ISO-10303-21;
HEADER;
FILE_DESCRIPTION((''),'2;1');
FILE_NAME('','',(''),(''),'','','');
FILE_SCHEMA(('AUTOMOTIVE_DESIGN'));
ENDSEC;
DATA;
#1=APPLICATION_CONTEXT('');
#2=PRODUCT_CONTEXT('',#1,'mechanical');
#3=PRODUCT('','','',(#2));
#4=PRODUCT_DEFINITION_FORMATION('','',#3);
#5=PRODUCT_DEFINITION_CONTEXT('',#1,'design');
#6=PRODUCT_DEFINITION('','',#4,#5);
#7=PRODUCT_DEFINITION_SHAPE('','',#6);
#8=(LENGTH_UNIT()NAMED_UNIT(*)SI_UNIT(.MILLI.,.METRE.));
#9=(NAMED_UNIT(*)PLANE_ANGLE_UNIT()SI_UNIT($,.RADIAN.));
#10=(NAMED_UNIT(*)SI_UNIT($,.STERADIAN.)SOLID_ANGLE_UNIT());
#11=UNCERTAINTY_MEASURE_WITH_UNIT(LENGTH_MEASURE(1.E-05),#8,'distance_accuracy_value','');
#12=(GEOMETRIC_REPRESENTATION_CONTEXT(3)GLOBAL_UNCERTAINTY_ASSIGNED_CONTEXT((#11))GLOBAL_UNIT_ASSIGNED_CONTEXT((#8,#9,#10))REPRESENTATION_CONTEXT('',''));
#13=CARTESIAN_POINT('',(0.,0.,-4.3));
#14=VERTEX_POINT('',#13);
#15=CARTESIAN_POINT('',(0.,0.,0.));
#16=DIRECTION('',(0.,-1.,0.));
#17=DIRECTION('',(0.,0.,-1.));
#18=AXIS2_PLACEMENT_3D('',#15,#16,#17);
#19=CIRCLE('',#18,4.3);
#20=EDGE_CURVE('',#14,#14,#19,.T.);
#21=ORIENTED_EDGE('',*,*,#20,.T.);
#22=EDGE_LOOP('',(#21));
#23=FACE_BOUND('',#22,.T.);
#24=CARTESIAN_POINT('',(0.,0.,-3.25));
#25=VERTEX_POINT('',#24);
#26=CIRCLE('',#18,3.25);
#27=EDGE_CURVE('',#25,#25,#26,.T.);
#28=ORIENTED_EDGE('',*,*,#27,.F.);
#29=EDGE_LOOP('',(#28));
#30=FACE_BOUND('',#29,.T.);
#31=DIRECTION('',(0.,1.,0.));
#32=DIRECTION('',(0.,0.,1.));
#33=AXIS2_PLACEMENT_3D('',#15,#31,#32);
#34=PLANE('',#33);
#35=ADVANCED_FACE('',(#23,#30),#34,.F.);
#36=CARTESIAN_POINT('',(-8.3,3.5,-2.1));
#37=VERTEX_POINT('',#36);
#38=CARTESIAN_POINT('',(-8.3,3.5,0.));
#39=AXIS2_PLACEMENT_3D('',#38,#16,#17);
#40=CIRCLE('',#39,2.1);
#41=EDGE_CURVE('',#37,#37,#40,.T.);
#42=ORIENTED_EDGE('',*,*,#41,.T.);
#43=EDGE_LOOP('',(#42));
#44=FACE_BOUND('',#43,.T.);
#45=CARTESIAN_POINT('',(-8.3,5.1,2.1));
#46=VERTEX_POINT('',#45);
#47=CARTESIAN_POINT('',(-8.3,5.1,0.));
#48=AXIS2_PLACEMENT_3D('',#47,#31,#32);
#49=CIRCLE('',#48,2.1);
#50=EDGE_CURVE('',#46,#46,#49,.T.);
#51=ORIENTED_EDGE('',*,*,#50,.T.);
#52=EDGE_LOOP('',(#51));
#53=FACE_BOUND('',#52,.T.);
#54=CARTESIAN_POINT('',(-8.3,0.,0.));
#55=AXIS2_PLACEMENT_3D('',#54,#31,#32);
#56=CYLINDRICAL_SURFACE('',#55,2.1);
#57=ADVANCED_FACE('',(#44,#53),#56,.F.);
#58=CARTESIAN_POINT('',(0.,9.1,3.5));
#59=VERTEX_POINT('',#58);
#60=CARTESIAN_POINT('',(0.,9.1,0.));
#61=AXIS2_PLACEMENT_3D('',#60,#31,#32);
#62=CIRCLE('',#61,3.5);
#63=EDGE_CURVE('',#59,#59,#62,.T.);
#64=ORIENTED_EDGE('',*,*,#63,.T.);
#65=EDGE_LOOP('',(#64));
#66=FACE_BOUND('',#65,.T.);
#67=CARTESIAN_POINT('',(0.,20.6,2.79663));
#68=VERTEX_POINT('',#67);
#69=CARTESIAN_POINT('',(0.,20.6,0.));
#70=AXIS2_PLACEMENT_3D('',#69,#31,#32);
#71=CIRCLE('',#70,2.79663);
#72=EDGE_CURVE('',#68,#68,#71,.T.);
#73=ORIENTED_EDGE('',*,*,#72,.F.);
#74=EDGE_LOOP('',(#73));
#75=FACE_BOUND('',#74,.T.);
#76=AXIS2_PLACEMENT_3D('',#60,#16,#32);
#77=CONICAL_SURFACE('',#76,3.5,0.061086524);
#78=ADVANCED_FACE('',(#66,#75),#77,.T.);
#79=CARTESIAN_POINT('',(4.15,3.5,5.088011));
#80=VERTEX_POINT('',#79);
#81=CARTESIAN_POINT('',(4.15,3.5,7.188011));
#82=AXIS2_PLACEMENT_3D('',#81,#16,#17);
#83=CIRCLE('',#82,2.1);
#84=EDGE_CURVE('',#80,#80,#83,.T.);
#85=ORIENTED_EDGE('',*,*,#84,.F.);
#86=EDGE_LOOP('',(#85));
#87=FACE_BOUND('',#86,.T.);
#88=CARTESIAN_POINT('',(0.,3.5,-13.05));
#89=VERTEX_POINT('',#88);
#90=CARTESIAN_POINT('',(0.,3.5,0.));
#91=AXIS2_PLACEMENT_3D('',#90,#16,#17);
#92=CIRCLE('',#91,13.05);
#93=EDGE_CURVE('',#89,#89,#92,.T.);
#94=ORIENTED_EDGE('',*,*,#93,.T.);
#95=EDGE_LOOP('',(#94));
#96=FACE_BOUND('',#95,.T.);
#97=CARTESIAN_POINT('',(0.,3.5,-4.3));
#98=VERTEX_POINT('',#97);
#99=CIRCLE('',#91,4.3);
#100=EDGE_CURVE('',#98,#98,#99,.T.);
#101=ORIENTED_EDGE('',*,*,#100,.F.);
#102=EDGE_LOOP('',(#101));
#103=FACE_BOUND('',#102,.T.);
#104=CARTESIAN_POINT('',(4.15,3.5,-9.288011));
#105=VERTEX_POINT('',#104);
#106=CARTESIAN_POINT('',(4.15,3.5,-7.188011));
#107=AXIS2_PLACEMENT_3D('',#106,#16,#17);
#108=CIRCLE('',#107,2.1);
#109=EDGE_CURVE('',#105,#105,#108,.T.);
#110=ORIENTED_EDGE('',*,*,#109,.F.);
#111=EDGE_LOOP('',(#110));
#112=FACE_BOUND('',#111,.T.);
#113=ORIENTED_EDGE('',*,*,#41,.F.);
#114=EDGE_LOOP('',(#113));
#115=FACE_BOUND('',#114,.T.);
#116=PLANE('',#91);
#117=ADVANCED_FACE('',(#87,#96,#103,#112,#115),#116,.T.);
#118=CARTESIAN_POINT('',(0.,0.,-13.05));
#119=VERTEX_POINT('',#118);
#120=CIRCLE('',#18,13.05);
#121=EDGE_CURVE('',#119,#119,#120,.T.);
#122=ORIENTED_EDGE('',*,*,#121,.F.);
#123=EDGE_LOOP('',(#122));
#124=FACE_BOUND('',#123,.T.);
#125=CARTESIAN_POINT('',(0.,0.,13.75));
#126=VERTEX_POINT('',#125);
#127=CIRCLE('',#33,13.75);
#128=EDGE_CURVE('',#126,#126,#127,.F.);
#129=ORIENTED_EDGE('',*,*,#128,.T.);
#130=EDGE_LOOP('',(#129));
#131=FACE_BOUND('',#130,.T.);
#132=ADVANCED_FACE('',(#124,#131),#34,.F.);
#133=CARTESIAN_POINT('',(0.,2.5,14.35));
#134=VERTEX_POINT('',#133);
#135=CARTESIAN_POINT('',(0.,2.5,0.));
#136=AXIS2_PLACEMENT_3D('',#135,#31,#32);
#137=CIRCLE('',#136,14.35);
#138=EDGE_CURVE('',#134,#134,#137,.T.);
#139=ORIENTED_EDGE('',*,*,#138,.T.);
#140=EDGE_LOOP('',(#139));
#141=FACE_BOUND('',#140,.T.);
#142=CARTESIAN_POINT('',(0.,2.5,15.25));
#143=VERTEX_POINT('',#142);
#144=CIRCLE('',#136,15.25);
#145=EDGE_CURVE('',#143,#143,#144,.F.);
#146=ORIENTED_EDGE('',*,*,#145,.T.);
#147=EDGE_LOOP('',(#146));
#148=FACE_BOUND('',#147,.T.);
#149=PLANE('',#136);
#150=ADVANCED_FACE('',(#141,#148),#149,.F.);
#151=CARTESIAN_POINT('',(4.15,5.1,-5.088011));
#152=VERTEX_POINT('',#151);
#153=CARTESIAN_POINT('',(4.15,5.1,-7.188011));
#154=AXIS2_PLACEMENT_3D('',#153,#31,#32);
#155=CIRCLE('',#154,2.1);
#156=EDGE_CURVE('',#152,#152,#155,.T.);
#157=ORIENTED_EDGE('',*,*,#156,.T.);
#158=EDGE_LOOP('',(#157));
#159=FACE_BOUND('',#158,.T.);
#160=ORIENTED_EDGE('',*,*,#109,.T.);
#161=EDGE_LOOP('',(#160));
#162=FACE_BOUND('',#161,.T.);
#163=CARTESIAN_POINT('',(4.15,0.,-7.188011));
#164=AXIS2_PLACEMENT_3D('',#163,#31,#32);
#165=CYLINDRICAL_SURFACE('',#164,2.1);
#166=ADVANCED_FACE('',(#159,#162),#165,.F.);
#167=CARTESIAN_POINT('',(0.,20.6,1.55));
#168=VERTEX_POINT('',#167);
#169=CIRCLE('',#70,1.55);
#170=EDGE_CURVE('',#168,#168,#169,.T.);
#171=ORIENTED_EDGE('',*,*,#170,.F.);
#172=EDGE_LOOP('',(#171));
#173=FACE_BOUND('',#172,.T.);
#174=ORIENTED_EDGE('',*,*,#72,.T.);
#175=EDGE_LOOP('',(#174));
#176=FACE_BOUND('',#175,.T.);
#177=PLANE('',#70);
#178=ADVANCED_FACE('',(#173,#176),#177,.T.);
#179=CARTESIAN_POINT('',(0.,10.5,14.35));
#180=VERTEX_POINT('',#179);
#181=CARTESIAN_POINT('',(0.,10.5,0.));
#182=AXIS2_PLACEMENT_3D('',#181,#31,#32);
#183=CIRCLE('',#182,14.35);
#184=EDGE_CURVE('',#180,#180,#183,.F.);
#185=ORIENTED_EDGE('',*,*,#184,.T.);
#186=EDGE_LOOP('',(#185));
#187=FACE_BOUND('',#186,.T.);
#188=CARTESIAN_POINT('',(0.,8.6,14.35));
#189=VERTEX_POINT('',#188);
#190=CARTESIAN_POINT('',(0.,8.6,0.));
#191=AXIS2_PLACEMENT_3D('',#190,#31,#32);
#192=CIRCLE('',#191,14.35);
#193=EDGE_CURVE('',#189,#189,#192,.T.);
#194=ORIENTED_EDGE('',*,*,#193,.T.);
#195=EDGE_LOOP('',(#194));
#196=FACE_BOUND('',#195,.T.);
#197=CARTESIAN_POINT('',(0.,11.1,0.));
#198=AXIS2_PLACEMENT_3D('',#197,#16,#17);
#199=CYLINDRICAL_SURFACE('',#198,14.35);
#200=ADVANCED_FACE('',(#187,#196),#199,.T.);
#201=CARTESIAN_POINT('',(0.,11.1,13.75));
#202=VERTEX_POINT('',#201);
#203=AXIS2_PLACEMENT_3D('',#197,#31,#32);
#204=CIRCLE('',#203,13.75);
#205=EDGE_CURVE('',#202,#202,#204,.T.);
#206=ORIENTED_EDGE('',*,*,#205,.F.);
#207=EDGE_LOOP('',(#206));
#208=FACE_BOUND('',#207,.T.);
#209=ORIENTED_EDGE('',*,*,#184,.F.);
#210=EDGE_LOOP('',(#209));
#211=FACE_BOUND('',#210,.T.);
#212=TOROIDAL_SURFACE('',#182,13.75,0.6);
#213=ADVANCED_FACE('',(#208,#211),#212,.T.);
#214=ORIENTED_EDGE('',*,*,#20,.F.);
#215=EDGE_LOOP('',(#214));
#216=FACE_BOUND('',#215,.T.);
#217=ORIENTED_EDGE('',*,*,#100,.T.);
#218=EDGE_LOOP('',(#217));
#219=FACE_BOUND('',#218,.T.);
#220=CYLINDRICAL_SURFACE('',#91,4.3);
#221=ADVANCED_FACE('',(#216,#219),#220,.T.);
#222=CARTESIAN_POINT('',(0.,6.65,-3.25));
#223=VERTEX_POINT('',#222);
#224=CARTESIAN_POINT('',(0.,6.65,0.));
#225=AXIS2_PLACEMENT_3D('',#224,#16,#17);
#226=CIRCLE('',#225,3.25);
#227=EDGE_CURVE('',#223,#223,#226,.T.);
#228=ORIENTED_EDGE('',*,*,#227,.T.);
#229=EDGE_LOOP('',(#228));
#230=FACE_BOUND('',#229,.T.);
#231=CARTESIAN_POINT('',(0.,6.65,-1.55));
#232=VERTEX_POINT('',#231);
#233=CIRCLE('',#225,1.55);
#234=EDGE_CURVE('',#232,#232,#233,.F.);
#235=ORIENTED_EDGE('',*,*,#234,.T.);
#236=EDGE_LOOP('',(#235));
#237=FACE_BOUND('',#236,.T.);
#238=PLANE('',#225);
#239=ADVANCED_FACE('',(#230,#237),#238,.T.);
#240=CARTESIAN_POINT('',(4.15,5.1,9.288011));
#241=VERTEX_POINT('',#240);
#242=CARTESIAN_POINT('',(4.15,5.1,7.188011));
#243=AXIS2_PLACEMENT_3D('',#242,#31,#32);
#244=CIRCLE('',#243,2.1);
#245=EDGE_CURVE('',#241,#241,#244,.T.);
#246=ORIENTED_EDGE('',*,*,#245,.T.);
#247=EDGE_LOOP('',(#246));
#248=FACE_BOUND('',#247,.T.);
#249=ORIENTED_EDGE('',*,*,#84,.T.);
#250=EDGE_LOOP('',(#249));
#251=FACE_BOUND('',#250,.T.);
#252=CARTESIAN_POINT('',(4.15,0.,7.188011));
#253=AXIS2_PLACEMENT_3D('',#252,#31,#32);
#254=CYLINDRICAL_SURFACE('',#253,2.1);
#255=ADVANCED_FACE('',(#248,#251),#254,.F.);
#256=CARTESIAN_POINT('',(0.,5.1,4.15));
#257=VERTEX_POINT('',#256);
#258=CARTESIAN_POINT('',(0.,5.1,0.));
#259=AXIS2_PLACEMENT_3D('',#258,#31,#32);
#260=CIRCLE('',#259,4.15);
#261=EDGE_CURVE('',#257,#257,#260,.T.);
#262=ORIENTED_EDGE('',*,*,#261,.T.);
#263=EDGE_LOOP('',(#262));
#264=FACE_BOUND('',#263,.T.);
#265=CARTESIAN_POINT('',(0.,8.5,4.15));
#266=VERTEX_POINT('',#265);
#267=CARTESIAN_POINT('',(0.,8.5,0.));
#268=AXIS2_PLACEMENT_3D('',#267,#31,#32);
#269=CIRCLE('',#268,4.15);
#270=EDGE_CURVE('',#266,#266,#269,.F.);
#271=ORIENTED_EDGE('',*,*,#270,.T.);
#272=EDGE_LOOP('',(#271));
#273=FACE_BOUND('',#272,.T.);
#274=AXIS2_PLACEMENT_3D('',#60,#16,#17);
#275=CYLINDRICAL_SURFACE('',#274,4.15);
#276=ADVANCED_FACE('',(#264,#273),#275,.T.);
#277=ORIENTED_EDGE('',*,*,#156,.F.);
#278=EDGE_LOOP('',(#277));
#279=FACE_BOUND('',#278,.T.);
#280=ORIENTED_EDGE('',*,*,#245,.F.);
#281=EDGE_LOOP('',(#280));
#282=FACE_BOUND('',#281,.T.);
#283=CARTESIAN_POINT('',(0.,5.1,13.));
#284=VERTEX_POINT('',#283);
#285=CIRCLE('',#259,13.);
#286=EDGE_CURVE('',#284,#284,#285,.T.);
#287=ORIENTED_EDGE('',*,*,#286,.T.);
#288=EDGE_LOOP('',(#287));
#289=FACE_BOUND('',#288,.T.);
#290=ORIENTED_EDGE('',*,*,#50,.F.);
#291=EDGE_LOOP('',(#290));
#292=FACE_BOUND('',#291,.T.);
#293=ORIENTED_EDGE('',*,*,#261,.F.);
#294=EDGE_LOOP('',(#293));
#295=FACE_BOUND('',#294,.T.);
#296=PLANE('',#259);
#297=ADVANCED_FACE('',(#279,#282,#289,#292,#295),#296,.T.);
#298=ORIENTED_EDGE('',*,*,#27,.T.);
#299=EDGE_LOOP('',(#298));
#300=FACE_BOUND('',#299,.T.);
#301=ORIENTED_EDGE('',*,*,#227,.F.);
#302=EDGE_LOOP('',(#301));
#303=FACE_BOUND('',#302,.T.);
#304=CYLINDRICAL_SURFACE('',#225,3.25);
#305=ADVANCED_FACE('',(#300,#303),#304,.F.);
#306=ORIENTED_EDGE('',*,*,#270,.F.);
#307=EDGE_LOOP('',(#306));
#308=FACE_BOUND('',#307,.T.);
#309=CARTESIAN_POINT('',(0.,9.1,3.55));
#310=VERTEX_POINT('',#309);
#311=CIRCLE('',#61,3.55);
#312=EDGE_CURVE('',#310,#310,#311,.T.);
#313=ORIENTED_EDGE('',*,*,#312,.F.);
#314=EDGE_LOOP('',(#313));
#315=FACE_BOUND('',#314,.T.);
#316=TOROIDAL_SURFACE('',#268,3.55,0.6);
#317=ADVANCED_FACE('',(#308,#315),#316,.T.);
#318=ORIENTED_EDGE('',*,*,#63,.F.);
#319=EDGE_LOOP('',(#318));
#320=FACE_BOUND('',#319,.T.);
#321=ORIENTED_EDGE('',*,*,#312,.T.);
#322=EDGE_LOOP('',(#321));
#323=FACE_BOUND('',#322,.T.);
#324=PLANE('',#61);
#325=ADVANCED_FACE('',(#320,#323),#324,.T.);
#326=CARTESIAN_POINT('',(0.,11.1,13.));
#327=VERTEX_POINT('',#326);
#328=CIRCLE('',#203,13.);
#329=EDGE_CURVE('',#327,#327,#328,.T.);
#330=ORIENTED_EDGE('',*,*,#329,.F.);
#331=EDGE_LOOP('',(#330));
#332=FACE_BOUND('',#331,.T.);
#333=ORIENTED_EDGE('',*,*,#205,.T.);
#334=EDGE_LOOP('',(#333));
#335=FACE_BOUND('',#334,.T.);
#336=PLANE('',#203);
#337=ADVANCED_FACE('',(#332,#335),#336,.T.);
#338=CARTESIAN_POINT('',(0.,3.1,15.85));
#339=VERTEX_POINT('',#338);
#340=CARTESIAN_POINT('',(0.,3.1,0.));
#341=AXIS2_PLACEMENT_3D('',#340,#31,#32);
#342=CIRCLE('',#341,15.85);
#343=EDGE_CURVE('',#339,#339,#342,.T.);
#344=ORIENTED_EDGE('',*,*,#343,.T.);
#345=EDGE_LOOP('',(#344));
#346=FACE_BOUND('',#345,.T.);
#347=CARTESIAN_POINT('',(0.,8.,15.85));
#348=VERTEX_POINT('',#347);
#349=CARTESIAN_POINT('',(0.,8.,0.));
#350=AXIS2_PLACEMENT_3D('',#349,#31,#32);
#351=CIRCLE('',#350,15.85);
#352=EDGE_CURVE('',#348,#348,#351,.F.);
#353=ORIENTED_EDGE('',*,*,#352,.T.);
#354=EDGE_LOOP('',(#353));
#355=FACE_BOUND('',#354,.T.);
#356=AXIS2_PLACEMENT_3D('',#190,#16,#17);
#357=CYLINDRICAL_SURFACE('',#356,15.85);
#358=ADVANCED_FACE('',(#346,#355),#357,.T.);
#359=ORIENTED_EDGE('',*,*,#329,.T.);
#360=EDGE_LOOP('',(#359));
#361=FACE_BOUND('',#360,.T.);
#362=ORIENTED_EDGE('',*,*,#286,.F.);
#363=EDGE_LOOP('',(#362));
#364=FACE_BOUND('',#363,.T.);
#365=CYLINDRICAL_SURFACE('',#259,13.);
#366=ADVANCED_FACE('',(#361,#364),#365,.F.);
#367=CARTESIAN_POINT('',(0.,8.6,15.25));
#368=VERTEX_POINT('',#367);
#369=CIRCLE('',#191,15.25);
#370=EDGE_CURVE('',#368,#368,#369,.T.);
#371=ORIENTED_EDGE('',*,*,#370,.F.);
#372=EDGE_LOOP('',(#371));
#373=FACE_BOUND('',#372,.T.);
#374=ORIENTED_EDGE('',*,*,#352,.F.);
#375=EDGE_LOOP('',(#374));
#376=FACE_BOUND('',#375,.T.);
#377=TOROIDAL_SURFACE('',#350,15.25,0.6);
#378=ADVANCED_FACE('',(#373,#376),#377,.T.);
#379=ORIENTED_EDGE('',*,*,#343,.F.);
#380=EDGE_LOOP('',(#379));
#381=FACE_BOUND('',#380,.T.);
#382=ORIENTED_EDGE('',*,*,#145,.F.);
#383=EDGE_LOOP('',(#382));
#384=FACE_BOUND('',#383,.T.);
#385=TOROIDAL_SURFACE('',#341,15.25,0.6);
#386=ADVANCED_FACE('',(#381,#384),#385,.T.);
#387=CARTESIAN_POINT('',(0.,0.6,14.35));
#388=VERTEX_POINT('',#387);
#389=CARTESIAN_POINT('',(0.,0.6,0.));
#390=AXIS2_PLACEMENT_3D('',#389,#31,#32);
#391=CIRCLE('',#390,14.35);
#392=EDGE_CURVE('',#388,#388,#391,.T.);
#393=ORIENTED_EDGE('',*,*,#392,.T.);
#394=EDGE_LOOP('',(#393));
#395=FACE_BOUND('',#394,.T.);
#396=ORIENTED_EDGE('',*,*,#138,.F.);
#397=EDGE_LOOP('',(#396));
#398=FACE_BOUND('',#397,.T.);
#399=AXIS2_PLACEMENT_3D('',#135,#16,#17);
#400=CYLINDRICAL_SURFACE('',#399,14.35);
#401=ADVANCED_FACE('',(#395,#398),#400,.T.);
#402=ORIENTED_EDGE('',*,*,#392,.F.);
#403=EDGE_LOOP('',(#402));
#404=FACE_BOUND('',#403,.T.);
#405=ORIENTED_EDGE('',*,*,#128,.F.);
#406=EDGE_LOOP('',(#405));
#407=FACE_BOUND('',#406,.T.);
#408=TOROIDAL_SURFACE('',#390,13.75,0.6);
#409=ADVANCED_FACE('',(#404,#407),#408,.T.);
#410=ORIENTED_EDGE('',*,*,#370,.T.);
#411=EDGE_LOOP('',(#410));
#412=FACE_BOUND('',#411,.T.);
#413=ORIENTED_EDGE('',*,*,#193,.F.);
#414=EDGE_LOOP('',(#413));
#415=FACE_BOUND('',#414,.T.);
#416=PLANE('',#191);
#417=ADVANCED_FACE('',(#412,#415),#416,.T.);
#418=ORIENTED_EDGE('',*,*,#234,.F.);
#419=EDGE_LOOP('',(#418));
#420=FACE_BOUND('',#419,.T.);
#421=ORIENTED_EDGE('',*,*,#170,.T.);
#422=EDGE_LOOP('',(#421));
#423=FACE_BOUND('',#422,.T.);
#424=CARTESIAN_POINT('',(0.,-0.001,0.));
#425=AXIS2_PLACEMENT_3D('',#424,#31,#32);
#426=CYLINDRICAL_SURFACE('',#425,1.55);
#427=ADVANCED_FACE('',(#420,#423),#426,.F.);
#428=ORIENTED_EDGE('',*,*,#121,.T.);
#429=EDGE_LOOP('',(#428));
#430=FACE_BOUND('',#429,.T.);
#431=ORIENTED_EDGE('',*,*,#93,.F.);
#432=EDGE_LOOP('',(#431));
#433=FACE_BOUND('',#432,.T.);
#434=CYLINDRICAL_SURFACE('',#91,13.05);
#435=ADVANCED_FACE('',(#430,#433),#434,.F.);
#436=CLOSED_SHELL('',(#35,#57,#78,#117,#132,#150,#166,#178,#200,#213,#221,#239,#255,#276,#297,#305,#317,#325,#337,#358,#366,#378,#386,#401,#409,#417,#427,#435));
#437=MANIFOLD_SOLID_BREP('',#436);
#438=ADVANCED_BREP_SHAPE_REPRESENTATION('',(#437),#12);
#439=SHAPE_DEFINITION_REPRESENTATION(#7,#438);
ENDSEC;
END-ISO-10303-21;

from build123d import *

# Parameters (mm, degrees)
SKETCH1_R           = 14.35
BOSS_EXTRUDE1_DEPTH = 2.5
SKETCH2_R           = 15.85
BOSS_EXTRUDE2_DEPTH = 6.1
SKETCH4_R           = 14.350000002
BOSS_EXTRUDE4_DEPTH = 2.5
SKETCH6_R           = 13
CUT_EXTRUDE1_DEPTH  = 6
SKETCH5_R           = 13.05
SKETCH5_R_2         = 4.3
CUT_EXTRUDE2_DEPTH  = 3.5
SKETCH7_R           = 4.15
BOSS_EXTRUDE5_DEPTH = 4
SKETCH8_R           = 3.5
BOSS_EXTRUDE6_DEPTH = 11.5
BOSS_EXTRUDE6_TAPER = 3.5
SKETCH9_R           = 3.25
CUT_EXTRUDE3_DEPTH  = 6.65
CUT_EXTRUDE4_REACH  = 22.6
SKETCH10_R          = 1.55
FILLET1_R           = 0.6
SKETCH11_R          = 2.1
CUT_EXTRUDE5_DEPTH  = 6.1


with BuildPart() as part:
    # Sketch1 → Boss-Extrude1 (new body)
    with BuildSketch(Plane(origin=(0, 0, 0), x_dir=(1, 0, 0), z_dir=(0, 1, 0))):
        Circle(SKETCH1_R)
    extrude(amount=BOSS_EXTRUDE1_DEPTH)

    # Sketch2 → Boss-Extrude2 (add)
    with BuildSketch(Plane(origin=(0, 2.5, 0), x_dir=(1, 0, 0), z_dir=(0, 1, 0))):
        Circle(SKETCH2_R)
    extrude(amount=BOSS_EXTRUDE2_DEPTH)

    # Sketch4 → Boss-Extrude4 (add)
    with BuildSketch(Plane(origin=(0, 8.6, 0), x_dir=(1, 0, 0), z_dir=(0, 1, 0))):
        Circle(SKETCH4_R)
    extrude(amount=BOSS_EXTRUDE4_DEPTH)

    # Sketch6 → Cut-Extrude1 (cut)
    with BuildSketch(Plane(origin=(0, 11.1, 0), x_dir=(1, 0, 0), z_dir=(0, 1, 0))):
        Circle(SKETCH6_R)
    extrude(amount=-CUT_EXTRUDE1_DEPTH, mode=Mode.SUBTRACT)

    # Sketch5 → Cut-Extrude2 (cut)
    with BuildSketch(Plane.XZ):
        Circle(SKETCH5_R)
        Circle(SKETCH5_R_2, mode=Mode.SUBTRACT)
    extrude(amount=-CUT_EXTRUDE2_DEPTH, mode=Mode.SUBTRACT)

    # Sketch7 → Boss-Extrude5 (add)
    with BuildSketch(Plane(origin=(0, 5.1, 0), x_dir=(1, 0, 0), z_dir=(0, 1, 0))):
        Circle(SKETCH7_R)
    extrude(amount=BOSS_EXTRUDE5_DEPTH)

    # Sketch8 → Boss-Extrude6 (add)
    with BuildSketch(Plane(origin=(0, 9.1, 0), x_dir=(1, 0, 0), z_dir=(0, 1, 0))):
        Circle(SKETCH8_R)
    extrude(amount=BOSS_EXTRUDE6_DEPTH, taper=BOSS_EXTRUDE6_TAPER)

    # Sketch9 → Cut-Extrude3 (cut)
    with BuildSketch(Plane.XZ):
        Circle(SKETCH9_R)
    extrude(amount=-CUT_EXTRUDE3_DEPTH, mode=Mode.SUBTRACT)

    # Sketch10 → Cut-Extrude4 (cut, up to next)
    with BuildSketch(Plane(origin=(0, 20.6, 0), x_dir=(1, 0, 0), z_dir=(0, 1, 0)), mode=Mode.PRIVATE) as cut_extrude4_sk1:
        Circle(SKETCH10_R)
    cut_extrude4_tool1 = extrude(cut_extrude4_sk1.sketch, amount=-CUT_EXTRUDE4_REACH, mode=Mode.PRIVATE) & part.part
    add(cut_extrude4_tool1.solids().sort_by_distance((0, 20.6, 0))[0], mode=Mode.SUBTRACT)

    # Fillet1
    fillet1_edges = [part.edges().sort_by_distance(p)[0] for p in [
        (-14.350000002, 11.1, 0),
        (-14.35, 0, 0),
        (-4.15, 9.1, 0),
        (-15.85, 2.5, 0),
        (-15.85, 8.6, 0),
    ]]
    fillet(fillet1_edges, radius=FILLET1_R)

    # Sketch11 → Cut-Extrude5 (cut, through all)
    with BuildSketch(Plane(origin=(0, 5.1, 0), x_dir=(1, 0, 0), z_dir=(0, 1, 0))):
        with Locations((-8.29999991, 0)):
            Circle(SKETCH11_R)
        with Locations((4.149999955, 7.188010773)):
            Circle(SKETCH11_R)
        with Locations((4.149999955, -7.188010773)):
            Circle(SKETCH11_R)
    extrude(amount=-CUT_EXTRUDE5_DEPTH, mode=Mode.SUBTRACT)


solid = part.part
